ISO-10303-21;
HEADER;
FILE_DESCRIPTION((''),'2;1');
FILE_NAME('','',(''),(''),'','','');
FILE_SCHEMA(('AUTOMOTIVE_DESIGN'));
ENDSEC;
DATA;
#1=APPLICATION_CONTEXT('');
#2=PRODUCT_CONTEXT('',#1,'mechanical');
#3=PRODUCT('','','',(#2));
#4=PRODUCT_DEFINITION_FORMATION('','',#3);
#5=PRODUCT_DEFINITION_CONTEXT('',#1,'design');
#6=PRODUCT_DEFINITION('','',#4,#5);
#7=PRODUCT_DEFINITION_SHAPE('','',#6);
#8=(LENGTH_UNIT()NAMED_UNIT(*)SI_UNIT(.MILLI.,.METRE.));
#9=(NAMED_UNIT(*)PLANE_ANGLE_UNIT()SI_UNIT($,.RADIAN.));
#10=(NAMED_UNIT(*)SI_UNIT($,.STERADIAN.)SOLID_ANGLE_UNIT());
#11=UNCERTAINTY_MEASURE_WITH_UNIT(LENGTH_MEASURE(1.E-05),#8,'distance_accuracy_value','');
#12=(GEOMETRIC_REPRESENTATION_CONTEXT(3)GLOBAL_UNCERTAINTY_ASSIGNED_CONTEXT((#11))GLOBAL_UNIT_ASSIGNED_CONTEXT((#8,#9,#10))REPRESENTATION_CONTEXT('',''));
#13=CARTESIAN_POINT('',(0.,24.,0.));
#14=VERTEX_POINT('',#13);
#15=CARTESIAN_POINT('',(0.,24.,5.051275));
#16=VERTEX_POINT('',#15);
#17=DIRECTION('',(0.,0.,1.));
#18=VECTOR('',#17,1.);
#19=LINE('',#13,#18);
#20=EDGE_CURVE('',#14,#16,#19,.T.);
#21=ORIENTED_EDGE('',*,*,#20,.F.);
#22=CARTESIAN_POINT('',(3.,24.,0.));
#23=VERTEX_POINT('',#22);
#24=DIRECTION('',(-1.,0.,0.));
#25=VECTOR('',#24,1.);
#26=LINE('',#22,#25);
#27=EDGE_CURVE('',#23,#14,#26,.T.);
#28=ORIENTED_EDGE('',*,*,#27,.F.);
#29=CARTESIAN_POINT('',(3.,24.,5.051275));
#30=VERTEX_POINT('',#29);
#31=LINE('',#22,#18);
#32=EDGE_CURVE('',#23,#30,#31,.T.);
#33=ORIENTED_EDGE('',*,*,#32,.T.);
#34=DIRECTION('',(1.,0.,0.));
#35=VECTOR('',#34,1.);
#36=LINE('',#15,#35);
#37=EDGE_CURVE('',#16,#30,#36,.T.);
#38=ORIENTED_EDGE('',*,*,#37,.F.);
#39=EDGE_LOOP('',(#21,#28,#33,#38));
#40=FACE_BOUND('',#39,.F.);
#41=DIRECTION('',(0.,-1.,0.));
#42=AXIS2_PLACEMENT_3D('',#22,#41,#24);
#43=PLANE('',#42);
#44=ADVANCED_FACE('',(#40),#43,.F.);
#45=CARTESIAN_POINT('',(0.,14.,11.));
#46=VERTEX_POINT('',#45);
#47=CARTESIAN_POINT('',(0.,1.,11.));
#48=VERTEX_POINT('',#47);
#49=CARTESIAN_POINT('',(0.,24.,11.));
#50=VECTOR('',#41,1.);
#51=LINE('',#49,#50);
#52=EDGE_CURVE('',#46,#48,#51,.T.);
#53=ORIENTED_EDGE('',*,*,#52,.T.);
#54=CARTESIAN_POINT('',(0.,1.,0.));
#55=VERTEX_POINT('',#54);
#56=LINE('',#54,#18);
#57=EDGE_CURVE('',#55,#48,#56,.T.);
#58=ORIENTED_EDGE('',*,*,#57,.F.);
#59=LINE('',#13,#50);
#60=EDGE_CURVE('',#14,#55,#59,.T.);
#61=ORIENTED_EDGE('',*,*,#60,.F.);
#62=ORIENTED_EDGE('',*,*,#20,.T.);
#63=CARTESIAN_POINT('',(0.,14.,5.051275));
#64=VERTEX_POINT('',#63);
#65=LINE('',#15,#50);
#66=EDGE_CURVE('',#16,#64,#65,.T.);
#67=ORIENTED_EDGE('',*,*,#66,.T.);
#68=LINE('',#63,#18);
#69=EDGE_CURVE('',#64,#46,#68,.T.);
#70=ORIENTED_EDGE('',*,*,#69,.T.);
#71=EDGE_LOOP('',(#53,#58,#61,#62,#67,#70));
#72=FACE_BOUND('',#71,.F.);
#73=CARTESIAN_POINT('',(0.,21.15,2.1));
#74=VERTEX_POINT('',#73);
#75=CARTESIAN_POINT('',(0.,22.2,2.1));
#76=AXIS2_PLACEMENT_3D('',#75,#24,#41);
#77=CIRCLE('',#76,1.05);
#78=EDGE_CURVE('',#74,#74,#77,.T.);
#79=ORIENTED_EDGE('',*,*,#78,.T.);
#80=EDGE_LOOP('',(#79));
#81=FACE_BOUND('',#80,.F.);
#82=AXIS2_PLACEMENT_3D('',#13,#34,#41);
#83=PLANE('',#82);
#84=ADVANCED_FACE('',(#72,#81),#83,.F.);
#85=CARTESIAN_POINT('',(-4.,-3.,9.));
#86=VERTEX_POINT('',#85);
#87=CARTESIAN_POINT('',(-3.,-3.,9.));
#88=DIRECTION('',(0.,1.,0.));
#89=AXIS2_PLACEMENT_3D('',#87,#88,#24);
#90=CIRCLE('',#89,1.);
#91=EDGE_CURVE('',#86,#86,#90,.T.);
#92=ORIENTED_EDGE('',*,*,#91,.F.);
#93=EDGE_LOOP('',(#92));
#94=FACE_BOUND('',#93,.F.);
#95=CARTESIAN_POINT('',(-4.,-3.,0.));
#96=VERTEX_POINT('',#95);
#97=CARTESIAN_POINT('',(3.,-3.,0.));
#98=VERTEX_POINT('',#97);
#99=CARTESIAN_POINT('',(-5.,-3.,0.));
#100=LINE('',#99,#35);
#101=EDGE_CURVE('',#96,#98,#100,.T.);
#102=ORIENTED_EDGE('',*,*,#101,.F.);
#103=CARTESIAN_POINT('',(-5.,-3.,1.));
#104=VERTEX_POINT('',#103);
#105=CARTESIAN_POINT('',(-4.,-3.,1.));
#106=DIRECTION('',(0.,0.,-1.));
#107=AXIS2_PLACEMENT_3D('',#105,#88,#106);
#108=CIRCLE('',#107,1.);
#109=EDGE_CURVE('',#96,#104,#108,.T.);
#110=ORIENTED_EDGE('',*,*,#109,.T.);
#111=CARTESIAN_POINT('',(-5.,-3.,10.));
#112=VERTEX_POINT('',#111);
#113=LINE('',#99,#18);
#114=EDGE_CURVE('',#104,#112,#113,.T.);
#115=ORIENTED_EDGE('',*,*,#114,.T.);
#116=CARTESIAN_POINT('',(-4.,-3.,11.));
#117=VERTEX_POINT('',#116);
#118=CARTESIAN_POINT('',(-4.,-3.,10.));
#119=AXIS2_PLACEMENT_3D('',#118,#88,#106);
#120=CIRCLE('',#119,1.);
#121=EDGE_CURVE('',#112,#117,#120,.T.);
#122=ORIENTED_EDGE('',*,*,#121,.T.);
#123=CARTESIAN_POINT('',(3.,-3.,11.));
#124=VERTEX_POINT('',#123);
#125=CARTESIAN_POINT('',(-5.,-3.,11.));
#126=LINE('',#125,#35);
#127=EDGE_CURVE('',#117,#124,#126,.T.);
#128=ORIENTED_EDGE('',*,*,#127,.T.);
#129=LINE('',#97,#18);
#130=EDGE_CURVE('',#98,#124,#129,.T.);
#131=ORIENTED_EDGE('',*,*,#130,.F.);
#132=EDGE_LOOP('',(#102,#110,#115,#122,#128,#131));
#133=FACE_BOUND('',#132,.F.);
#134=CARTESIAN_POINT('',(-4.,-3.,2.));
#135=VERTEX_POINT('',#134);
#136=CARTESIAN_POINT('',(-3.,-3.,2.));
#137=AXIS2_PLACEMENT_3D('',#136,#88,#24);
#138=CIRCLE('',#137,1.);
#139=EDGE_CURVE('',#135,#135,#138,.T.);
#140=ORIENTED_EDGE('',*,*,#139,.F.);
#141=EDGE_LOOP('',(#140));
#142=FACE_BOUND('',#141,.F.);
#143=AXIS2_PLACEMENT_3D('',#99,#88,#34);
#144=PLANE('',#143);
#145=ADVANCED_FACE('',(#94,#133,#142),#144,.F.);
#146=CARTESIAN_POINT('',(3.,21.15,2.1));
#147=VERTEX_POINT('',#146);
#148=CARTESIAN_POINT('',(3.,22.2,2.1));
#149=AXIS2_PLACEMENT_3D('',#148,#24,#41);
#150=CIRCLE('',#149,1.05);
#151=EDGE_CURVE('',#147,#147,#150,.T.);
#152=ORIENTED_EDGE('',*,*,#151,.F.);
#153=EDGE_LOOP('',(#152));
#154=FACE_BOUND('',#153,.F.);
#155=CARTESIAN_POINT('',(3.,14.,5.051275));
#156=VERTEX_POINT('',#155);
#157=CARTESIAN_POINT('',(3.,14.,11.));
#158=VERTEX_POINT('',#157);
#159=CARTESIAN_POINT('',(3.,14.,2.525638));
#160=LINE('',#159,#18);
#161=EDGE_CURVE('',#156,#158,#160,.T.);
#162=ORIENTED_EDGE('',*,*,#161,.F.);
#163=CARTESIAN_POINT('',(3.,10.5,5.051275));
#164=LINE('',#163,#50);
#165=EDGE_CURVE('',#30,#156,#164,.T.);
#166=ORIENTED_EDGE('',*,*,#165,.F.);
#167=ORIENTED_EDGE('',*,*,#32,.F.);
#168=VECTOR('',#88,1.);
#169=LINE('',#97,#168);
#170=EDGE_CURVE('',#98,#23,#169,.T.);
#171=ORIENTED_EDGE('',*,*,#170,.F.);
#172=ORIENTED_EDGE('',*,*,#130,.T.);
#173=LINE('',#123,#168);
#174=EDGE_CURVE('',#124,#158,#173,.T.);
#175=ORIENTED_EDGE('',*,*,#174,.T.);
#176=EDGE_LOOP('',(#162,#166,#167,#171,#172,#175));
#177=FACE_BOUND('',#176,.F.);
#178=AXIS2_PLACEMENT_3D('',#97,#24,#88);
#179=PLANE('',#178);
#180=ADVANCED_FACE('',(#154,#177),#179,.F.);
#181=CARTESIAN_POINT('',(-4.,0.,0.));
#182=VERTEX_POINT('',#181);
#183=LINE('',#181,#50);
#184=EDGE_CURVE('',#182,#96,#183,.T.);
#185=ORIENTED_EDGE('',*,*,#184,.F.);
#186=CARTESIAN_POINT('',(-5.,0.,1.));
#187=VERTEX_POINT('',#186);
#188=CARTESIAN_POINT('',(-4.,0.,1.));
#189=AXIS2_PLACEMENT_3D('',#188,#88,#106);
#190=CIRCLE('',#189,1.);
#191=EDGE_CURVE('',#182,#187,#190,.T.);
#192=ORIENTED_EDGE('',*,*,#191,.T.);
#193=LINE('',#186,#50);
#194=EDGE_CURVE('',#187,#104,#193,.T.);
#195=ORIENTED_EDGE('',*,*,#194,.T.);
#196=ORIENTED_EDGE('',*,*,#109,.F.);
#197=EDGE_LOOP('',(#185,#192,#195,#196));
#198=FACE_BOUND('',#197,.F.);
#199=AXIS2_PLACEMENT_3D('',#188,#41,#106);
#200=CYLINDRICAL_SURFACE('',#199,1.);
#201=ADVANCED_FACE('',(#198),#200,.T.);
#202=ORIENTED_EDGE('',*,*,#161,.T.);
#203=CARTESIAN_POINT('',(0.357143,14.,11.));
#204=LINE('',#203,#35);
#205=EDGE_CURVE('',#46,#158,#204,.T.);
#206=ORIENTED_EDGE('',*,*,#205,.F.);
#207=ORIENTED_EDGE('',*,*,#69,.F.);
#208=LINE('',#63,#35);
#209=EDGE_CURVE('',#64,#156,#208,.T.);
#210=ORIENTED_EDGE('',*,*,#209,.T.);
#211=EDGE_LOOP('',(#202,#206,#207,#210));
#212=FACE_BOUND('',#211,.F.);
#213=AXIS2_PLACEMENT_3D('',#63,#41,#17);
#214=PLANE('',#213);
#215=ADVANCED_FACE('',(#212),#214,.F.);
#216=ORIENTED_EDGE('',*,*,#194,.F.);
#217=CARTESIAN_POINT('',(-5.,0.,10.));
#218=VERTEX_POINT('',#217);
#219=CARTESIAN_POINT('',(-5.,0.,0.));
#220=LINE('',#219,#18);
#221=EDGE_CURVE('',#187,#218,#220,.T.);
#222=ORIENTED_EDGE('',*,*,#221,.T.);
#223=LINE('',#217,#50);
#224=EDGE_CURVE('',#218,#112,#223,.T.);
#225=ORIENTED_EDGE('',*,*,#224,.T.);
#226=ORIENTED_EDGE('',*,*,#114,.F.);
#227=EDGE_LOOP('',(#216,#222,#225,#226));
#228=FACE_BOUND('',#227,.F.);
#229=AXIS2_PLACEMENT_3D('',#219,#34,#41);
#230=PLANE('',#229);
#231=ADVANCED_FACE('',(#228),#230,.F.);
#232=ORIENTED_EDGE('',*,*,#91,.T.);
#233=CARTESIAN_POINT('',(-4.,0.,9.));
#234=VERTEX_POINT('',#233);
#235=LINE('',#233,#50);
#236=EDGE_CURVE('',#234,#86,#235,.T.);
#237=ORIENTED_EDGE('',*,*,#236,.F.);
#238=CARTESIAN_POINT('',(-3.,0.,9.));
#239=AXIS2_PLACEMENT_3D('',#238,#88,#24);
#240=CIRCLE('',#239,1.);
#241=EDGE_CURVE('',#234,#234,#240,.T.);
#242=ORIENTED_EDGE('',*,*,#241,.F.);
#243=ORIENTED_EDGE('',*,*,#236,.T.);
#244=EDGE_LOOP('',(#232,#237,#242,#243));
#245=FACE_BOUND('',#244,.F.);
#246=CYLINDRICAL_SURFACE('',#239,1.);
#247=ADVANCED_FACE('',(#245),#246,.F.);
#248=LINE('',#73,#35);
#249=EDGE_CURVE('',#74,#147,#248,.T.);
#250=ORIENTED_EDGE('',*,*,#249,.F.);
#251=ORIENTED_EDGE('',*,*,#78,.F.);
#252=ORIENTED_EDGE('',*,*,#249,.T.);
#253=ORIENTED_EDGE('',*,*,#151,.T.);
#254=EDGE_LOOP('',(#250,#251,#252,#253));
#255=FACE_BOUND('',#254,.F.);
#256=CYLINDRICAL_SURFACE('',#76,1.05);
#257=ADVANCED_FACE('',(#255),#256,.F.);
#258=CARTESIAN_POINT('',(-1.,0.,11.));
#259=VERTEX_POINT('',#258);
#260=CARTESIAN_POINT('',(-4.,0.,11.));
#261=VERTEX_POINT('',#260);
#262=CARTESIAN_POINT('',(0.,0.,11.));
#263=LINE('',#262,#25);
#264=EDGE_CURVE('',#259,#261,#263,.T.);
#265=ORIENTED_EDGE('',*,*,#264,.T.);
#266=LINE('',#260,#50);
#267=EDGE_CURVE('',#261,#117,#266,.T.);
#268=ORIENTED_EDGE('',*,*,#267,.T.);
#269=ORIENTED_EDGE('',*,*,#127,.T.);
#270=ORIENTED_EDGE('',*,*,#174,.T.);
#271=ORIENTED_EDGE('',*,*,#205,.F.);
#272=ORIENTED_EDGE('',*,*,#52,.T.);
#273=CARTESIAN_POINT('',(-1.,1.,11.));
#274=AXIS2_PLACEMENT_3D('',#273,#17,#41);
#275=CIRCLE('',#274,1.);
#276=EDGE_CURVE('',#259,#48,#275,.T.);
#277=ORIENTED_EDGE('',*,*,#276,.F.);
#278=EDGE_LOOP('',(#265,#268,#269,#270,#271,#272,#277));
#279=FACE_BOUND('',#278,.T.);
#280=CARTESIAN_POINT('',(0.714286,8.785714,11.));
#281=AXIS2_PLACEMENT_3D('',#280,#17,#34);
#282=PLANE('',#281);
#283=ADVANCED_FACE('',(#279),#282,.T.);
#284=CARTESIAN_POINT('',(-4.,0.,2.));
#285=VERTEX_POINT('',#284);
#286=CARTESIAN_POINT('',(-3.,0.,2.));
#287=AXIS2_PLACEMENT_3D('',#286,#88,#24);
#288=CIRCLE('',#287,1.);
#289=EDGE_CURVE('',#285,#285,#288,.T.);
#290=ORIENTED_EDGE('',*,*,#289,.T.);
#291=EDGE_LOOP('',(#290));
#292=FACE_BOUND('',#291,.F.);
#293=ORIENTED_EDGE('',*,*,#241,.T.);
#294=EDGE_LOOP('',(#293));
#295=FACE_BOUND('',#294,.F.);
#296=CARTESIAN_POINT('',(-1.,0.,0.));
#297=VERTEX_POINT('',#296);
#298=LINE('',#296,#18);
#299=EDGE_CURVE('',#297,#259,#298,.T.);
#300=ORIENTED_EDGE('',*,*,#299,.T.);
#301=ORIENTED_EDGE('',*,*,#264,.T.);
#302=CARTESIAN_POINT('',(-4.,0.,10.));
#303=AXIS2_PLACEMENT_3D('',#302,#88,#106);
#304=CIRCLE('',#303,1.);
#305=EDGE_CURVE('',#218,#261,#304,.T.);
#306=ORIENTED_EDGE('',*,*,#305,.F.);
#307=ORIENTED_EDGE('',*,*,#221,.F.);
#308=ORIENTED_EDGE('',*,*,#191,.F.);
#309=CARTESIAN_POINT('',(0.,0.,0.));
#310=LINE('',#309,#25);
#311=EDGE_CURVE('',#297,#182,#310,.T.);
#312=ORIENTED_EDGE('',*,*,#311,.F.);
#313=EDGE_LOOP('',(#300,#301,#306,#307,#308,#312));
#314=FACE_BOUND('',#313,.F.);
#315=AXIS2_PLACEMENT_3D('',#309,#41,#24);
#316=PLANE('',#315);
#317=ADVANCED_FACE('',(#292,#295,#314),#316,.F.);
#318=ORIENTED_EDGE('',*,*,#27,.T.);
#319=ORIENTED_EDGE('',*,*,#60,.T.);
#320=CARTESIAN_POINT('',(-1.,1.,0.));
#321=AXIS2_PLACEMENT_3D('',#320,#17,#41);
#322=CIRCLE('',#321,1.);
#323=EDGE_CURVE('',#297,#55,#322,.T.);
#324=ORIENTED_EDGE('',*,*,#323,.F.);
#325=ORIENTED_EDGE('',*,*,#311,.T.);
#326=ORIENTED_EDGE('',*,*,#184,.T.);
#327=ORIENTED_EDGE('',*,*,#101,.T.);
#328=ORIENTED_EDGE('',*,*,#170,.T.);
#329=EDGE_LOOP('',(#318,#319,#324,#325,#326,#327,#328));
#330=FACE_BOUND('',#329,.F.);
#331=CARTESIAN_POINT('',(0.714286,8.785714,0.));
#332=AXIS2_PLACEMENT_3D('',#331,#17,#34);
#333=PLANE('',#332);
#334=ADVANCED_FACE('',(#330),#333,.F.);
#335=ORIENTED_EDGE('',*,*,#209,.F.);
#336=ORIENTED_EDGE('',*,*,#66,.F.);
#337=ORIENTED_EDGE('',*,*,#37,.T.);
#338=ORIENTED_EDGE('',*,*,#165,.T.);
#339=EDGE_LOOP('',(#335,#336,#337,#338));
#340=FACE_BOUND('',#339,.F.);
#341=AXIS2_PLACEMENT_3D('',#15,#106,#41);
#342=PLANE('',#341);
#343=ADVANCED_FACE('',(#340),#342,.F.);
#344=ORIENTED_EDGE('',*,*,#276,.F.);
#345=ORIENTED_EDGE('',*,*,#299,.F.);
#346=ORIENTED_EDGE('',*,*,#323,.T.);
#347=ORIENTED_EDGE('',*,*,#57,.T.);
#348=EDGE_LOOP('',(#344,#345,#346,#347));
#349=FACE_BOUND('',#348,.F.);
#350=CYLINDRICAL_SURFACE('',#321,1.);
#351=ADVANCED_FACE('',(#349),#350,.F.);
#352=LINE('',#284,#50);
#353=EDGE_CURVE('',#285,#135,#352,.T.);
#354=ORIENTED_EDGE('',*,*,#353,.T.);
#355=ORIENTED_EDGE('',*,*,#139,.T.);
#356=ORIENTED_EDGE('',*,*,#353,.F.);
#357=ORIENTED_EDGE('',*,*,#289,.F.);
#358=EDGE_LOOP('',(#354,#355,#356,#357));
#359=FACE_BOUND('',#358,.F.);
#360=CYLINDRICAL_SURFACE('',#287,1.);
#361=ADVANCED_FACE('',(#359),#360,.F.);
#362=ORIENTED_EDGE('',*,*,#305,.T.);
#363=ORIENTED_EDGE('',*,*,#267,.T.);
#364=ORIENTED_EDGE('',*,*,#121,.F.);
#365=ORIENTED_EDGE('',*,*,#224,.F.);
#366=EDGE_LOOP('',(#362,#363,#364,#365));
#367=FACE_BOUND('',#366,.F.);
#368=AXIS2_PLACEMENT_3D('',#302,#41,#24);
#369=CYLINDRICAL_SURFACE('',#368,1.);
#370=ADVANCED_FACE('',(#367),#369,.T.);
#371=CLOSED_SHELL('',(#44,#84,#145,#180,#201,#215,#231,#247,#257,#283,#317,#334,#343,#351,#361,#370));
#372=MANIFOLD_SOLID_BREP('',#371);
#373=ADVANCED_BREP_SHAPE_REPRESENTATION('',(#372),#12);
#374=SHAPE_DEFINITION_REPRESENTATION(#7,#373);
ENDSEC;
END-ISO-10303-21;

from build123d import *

# Parameters (mm, degrees)
PAD_DEPTH       = 11
POCKET_DEPTH    = 5
SKETCH003_R     = 1.05
POCKET001_DEPTH = 5
FILLET_R        = 1
FILLET001_R     = 1
FILLET002_R     = 1
SKETCH004_R     = 1
POCKET002_DEPTH = 5


with BuildPart() as part:
    # Sketch → Pad (new body)
    with BuildSketch(Plane.XY):
        Polygon((0, 0), (-5, 0), (-5, -3), (3, -3), (3, 24), (0, 24), align=None)
    extrude(amount=PAD_DEPTH)

    # Sketch002 (on Face6 of Pad) → Pocket (cut)
    with BuildSketch(Plane(origin=(0, 0, 0), x_dir=(0, -1, 0), z_dir=(-1, 0, 0))):
        Polygon((-24, 10.051275), (-24, 5.051275), (-14, 5.051275), (-14, 13.051275), (-24, 13.051275), align=None)
    extrude(amount=-POCKET_DEPTH, mode=Mode.SUBTRACT)

    # Sketch003 (on Face2 of Pocket) → Pocket001 (cut)
    with BuildSketch(Plane(origin=(0, 0, 0), x_dir=(0, -1, 0), z_dir=(-1, 0, 0))):
        with Locations((-22.2, 2.1)):
            Circle(SKETCH003_R)
    extrude(amount=-POCKET001_DEPTH, mode=Mode.SUBTRACT)

    # Fillet
    fillet_edges = [part.edges().sort_by_distance(p)[0] for p in [
        (0, 0, 5.5),
    ]]
    fillet(fillet_edges, radius=FILLET_R)

    # Fillet001
    fillet001_edges = [part.edges().sort_by_distance(p)[0] for p in [
        (-5, -1.5, 0),
    ]]
    fillet(fillet001_edges, radius=FILLET001_R)

    # Fillet002
    fillet002_edges = [part.edges().sort_by_distance(p)[0] for p in [
        (-5, -1.5, 11),
    ]]
    fillet(fillet002_edges, radius=FILLET002_R)

    # Sketch004 (on Face1 of Fillet002) → Pocket002 (cut)
    with BuildSketch(Plane(origin=(0, 0, 0), x_dir=(-1, 0, 0), z_dir=(0, 1, 0))):
        with Locations((3, 9)):
            Circle(SKETCH004_R)
        with Locations((3, 2)):
            Circle(SKETCH004_R)
    extrude(amount=-POCKET002_DEPTH, mode=Mode.SUBTRACT)


solid = part.part
